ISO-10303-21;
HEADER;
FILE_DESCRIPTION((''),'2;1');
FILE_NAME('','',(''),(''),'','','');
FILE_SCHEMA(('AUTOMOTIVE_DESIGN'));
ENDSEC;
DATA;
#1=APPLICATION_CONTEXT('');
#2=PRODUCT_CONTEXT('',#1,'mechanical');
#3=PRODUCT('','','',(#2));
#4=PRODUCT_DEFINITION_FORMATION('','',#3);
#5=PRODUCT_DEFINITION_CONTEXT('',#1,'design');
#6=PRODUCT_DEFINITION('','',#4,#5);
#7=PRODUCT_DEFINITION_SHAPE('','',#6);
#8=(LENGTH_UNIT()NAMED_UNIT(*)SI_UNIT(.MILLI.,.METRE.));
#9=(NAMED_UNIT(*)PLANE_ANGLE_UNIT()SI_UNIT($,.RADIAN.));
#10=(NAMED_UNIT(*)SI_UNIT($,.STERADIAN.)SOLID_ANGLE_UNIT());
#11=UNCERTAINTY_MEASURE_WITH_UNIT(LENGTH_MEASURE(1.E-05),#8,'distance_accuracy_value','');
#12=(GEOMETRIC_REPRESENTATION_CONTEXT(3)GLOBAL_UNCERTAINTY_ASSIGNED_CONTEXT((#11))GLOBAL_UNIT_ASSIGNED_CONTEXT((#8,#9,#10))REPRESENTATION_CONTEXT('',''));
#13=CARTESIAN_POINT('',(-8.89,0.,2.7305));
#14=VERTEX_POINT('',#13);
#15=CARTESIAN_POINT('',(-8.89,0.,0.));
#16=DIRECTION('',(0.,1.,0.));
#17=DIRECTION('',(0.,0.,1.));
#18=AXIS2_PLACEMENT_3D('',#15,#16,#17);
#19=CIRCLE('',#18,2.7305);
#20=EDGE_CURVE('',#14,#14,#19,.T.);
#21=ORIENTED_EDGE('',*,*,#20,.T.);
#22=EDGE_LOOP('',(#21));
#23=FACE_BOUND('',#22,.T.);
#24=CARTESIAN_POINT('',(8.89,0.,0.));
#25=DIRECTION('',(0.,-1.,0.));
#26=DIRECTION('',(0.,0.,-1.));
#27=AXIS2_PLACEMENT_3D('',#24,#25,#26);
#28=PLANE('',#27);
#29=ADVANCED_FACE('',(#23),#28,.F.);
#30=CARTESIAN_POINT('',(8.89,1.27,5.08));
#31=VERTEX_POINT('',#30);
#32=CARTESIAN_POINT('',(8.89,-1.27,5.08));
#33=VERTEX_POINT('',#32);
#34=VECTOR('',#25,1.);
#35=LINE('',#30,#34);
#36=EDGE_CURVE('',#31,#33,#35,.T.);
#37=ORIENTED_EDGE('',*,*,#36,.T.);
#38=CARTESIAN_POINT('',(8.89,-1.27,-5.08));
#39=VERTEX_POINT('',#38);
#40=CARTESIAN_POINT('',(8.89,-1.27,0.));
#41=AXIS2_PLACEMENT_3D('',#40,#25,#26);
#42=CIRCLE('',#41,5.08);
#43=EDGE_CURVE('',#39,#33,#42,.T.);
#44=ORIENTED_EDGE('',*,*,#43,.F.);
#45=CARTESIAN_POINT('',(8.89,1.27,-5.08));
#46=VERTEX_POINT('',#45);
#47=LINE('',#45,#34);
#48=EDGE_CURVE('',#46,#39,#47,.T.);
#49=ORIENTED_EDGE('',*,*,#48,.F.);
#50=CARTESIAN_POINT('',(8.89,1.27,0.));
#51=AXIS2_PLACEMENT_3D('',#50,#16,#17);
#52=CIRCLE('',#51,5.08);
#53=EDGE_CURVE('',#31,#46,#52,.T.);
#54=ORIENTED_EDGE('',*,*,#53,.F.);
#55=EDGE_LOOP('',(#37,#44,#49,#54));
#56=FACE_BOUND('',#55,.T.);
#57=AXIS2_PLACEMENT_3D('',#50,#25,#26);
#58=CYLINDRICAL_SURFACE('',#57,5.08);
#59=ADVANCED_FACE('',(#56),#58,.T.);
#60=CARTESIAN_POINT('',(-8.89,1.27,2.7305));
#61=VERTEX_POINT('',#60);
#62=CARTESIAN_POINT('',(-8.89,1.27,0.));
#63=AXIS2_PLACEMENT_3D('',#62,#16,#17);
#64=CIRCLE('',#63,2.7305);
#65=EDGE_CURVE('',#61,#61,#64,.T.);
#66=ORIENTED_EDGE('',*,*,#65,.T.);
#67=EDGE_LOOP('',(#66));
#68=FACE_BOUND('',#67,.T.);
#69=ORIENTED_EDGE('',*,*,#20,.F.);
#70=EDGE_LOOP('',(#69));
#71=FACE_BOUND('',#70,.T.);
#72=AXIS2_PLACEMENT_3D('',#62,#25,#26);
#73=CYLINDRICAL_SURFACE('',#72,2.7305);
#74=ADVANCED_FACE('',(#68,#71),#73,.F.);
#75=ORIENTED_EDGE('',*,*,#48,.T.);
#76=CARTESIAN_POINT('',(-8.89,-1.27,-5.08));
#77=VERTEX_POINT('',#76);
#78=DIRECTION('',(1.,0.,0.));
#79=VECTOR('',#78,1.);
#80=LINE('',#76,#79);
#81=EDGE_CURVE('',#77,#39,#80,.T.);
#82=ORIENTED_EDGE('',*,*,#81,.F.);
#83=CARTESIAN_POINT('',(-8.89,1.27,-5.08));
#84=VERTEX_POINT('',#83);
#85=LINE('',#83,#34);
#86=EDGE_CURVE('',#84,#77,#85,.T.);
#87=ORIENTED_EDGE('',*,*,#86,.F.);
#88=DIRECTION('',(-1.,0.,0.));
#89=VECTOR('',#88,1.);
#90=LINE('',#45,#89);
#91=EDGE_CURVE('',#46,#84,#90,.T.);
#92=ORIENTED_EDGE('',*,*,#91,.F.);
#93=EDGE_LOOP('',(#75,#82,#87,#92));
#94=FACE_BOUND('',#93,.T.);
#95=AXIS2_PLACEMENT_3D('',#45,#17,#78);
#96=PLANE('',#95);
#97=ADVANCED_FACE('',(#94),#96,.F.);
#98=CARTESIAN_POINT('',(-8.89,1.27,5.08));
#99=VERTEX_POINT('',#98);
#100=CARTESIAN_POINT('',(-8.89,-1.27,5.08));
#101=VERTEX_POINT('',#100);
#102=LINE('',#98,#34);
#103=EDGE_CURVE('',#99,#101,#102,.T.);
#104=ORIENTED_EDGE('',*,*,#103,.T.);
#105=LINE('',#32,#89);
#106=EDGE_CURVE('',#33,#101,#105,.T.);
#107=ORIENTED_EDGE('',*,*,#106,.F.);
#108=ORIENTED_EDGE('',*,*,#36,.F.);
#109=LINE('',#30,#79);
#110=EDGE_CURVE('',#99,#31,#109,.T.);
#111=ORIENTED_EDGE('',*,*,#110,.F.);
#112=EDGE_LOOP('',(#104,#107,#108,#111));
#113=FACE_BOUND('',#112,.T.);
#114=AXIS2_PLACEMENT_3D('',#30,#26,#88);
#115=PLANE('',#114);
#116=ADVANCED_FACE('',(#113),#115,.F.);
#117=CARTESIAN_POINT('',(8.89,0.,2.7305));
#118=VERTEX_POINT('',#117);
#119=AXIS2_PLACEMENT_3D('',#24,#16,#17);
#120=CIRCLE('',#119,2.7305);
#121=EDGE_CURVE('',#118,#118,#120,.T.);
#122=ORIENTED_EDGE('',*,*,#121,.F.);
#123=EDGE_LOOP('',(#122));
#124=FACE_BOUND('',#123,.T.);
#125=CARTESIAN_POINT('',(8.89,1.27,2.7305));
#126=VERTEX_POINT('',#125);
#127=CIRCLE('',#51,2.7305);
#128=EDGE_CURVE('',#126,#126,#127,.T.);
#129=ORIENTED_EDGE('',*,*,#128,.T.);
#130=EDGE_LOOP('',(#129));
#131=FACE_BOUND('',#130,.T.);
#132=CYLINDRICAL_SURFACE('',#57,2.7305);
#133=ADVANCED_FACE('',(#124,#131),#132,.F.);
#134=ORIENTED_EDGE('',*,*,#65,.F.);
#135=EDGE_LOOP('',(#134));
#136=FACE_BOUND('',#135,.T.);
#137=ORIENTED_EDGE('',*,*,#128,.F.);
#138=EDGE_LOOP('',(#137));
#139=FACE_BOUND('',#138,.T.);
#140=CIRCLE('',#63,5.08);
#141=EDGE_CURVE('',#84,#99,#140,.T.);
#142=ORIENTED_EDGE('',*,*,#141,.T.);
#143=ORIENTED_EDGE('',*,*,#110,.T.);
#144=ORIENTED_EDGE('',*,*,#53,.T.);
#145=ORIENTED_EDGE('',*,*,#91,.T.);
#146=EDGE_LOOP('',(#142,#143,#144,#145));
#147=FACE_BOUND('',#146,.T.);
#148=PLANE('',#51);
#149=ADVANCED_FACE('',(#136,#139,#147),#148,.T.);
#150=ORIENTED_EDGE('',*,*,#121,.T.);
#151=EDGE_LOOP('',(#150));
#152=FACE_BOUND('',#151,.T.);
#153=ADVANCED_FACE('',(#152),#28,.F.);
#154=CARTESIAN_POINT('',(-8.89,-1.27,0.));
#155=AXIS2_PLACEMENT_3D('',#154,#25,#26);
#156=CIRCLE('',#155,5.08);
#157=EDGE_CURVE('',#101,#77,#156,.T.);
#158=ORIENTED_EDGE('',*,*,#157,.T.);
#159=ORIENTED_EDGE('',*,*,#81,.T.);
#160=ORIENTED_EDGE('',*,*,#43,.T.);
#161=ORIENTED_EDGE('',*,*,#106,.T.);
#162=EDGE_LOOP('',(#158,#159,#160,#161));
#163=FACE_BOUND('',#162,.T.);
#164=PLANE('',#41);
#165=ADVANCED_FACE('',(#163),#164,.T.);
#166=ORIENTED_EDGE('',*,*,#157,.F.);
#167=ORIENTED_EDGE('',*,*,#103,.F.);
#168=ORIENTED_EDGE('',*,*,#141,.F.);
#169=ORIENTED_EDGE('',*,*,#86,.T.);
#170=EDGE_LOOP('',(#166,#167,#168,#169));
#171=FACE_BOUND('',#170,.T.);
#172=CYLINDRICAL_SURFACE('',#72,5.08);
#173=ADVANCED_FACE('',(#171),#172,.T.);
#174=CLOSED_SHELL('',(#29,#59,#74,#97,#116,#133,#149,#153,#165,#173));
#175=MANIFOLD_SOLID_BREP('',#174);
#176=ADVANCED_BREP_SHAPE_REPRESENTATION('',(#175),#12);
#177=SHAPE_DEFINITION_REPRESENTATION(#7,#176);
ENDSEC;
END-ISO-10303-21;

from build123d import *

# Parameters (mm, degrees)
SKETCH1_R           = 2.7305
BOSS_EXTRUDE1_DEPTH = 1.27
BOSS_EXTRUDE2_START = 1.27
BOSS_EXTRUDE2_DEPTH = 1.27


with BuildPart() as part:
    # Sketch1 → Boss-Extrude1 (new body)
    with BuildSketch(Plane(origin=(0, 0, 0), x_dir=(1, 0, 0), z_dir=(0, 1, 0))):
        with BuildLine():
            Line((8.89, -5.08), (-8.89, -5.08))
            ThreePointArc((-8.89, -5.08), (-13.97, 0), (-8.89, 5.08))
            Line((-8.89, 5.08), (8.89, 5.08))
            ThreePointArc((8.89, 5.08), (13.97, 0), (8.89, -5.08))
        make_face()
        with Locations(Location((-8.89, 0, 0), (0, 0, 270))):
            Circle(SKETCH1_R, mode=Mode.SUBTRACT)
        with Locations(Location((8.89, 0, 0), (0, 0, 270))):
            Circle(SKETCH1_R, mode=Mode.SUBTRACT)
    extrude(amount=BOSS_EXTRUDE1_DEPTH)

    # Sketch2 → Boss-Extrude2 (add)
    with BuildSketch(Plane.XZ.offset(BOSS_EXTRUDE2_START)):
        with BuildLine():
            Line((8.89, 5.08), (-8.89, 5.08))
            ThreePointArc((-8.89, 5.08), (-13.97, 0), (-8.89, -5.08))
            Line((-8.89, -5.08), (8.89, -5.08))
            ThreePointArc((8.89, -5.08), (13.97, 0), (8.89, 5.08))
        make_face()
    extrude(amount=-BOSS_EXTRUDE2_DEPTH)


solid = part.part
